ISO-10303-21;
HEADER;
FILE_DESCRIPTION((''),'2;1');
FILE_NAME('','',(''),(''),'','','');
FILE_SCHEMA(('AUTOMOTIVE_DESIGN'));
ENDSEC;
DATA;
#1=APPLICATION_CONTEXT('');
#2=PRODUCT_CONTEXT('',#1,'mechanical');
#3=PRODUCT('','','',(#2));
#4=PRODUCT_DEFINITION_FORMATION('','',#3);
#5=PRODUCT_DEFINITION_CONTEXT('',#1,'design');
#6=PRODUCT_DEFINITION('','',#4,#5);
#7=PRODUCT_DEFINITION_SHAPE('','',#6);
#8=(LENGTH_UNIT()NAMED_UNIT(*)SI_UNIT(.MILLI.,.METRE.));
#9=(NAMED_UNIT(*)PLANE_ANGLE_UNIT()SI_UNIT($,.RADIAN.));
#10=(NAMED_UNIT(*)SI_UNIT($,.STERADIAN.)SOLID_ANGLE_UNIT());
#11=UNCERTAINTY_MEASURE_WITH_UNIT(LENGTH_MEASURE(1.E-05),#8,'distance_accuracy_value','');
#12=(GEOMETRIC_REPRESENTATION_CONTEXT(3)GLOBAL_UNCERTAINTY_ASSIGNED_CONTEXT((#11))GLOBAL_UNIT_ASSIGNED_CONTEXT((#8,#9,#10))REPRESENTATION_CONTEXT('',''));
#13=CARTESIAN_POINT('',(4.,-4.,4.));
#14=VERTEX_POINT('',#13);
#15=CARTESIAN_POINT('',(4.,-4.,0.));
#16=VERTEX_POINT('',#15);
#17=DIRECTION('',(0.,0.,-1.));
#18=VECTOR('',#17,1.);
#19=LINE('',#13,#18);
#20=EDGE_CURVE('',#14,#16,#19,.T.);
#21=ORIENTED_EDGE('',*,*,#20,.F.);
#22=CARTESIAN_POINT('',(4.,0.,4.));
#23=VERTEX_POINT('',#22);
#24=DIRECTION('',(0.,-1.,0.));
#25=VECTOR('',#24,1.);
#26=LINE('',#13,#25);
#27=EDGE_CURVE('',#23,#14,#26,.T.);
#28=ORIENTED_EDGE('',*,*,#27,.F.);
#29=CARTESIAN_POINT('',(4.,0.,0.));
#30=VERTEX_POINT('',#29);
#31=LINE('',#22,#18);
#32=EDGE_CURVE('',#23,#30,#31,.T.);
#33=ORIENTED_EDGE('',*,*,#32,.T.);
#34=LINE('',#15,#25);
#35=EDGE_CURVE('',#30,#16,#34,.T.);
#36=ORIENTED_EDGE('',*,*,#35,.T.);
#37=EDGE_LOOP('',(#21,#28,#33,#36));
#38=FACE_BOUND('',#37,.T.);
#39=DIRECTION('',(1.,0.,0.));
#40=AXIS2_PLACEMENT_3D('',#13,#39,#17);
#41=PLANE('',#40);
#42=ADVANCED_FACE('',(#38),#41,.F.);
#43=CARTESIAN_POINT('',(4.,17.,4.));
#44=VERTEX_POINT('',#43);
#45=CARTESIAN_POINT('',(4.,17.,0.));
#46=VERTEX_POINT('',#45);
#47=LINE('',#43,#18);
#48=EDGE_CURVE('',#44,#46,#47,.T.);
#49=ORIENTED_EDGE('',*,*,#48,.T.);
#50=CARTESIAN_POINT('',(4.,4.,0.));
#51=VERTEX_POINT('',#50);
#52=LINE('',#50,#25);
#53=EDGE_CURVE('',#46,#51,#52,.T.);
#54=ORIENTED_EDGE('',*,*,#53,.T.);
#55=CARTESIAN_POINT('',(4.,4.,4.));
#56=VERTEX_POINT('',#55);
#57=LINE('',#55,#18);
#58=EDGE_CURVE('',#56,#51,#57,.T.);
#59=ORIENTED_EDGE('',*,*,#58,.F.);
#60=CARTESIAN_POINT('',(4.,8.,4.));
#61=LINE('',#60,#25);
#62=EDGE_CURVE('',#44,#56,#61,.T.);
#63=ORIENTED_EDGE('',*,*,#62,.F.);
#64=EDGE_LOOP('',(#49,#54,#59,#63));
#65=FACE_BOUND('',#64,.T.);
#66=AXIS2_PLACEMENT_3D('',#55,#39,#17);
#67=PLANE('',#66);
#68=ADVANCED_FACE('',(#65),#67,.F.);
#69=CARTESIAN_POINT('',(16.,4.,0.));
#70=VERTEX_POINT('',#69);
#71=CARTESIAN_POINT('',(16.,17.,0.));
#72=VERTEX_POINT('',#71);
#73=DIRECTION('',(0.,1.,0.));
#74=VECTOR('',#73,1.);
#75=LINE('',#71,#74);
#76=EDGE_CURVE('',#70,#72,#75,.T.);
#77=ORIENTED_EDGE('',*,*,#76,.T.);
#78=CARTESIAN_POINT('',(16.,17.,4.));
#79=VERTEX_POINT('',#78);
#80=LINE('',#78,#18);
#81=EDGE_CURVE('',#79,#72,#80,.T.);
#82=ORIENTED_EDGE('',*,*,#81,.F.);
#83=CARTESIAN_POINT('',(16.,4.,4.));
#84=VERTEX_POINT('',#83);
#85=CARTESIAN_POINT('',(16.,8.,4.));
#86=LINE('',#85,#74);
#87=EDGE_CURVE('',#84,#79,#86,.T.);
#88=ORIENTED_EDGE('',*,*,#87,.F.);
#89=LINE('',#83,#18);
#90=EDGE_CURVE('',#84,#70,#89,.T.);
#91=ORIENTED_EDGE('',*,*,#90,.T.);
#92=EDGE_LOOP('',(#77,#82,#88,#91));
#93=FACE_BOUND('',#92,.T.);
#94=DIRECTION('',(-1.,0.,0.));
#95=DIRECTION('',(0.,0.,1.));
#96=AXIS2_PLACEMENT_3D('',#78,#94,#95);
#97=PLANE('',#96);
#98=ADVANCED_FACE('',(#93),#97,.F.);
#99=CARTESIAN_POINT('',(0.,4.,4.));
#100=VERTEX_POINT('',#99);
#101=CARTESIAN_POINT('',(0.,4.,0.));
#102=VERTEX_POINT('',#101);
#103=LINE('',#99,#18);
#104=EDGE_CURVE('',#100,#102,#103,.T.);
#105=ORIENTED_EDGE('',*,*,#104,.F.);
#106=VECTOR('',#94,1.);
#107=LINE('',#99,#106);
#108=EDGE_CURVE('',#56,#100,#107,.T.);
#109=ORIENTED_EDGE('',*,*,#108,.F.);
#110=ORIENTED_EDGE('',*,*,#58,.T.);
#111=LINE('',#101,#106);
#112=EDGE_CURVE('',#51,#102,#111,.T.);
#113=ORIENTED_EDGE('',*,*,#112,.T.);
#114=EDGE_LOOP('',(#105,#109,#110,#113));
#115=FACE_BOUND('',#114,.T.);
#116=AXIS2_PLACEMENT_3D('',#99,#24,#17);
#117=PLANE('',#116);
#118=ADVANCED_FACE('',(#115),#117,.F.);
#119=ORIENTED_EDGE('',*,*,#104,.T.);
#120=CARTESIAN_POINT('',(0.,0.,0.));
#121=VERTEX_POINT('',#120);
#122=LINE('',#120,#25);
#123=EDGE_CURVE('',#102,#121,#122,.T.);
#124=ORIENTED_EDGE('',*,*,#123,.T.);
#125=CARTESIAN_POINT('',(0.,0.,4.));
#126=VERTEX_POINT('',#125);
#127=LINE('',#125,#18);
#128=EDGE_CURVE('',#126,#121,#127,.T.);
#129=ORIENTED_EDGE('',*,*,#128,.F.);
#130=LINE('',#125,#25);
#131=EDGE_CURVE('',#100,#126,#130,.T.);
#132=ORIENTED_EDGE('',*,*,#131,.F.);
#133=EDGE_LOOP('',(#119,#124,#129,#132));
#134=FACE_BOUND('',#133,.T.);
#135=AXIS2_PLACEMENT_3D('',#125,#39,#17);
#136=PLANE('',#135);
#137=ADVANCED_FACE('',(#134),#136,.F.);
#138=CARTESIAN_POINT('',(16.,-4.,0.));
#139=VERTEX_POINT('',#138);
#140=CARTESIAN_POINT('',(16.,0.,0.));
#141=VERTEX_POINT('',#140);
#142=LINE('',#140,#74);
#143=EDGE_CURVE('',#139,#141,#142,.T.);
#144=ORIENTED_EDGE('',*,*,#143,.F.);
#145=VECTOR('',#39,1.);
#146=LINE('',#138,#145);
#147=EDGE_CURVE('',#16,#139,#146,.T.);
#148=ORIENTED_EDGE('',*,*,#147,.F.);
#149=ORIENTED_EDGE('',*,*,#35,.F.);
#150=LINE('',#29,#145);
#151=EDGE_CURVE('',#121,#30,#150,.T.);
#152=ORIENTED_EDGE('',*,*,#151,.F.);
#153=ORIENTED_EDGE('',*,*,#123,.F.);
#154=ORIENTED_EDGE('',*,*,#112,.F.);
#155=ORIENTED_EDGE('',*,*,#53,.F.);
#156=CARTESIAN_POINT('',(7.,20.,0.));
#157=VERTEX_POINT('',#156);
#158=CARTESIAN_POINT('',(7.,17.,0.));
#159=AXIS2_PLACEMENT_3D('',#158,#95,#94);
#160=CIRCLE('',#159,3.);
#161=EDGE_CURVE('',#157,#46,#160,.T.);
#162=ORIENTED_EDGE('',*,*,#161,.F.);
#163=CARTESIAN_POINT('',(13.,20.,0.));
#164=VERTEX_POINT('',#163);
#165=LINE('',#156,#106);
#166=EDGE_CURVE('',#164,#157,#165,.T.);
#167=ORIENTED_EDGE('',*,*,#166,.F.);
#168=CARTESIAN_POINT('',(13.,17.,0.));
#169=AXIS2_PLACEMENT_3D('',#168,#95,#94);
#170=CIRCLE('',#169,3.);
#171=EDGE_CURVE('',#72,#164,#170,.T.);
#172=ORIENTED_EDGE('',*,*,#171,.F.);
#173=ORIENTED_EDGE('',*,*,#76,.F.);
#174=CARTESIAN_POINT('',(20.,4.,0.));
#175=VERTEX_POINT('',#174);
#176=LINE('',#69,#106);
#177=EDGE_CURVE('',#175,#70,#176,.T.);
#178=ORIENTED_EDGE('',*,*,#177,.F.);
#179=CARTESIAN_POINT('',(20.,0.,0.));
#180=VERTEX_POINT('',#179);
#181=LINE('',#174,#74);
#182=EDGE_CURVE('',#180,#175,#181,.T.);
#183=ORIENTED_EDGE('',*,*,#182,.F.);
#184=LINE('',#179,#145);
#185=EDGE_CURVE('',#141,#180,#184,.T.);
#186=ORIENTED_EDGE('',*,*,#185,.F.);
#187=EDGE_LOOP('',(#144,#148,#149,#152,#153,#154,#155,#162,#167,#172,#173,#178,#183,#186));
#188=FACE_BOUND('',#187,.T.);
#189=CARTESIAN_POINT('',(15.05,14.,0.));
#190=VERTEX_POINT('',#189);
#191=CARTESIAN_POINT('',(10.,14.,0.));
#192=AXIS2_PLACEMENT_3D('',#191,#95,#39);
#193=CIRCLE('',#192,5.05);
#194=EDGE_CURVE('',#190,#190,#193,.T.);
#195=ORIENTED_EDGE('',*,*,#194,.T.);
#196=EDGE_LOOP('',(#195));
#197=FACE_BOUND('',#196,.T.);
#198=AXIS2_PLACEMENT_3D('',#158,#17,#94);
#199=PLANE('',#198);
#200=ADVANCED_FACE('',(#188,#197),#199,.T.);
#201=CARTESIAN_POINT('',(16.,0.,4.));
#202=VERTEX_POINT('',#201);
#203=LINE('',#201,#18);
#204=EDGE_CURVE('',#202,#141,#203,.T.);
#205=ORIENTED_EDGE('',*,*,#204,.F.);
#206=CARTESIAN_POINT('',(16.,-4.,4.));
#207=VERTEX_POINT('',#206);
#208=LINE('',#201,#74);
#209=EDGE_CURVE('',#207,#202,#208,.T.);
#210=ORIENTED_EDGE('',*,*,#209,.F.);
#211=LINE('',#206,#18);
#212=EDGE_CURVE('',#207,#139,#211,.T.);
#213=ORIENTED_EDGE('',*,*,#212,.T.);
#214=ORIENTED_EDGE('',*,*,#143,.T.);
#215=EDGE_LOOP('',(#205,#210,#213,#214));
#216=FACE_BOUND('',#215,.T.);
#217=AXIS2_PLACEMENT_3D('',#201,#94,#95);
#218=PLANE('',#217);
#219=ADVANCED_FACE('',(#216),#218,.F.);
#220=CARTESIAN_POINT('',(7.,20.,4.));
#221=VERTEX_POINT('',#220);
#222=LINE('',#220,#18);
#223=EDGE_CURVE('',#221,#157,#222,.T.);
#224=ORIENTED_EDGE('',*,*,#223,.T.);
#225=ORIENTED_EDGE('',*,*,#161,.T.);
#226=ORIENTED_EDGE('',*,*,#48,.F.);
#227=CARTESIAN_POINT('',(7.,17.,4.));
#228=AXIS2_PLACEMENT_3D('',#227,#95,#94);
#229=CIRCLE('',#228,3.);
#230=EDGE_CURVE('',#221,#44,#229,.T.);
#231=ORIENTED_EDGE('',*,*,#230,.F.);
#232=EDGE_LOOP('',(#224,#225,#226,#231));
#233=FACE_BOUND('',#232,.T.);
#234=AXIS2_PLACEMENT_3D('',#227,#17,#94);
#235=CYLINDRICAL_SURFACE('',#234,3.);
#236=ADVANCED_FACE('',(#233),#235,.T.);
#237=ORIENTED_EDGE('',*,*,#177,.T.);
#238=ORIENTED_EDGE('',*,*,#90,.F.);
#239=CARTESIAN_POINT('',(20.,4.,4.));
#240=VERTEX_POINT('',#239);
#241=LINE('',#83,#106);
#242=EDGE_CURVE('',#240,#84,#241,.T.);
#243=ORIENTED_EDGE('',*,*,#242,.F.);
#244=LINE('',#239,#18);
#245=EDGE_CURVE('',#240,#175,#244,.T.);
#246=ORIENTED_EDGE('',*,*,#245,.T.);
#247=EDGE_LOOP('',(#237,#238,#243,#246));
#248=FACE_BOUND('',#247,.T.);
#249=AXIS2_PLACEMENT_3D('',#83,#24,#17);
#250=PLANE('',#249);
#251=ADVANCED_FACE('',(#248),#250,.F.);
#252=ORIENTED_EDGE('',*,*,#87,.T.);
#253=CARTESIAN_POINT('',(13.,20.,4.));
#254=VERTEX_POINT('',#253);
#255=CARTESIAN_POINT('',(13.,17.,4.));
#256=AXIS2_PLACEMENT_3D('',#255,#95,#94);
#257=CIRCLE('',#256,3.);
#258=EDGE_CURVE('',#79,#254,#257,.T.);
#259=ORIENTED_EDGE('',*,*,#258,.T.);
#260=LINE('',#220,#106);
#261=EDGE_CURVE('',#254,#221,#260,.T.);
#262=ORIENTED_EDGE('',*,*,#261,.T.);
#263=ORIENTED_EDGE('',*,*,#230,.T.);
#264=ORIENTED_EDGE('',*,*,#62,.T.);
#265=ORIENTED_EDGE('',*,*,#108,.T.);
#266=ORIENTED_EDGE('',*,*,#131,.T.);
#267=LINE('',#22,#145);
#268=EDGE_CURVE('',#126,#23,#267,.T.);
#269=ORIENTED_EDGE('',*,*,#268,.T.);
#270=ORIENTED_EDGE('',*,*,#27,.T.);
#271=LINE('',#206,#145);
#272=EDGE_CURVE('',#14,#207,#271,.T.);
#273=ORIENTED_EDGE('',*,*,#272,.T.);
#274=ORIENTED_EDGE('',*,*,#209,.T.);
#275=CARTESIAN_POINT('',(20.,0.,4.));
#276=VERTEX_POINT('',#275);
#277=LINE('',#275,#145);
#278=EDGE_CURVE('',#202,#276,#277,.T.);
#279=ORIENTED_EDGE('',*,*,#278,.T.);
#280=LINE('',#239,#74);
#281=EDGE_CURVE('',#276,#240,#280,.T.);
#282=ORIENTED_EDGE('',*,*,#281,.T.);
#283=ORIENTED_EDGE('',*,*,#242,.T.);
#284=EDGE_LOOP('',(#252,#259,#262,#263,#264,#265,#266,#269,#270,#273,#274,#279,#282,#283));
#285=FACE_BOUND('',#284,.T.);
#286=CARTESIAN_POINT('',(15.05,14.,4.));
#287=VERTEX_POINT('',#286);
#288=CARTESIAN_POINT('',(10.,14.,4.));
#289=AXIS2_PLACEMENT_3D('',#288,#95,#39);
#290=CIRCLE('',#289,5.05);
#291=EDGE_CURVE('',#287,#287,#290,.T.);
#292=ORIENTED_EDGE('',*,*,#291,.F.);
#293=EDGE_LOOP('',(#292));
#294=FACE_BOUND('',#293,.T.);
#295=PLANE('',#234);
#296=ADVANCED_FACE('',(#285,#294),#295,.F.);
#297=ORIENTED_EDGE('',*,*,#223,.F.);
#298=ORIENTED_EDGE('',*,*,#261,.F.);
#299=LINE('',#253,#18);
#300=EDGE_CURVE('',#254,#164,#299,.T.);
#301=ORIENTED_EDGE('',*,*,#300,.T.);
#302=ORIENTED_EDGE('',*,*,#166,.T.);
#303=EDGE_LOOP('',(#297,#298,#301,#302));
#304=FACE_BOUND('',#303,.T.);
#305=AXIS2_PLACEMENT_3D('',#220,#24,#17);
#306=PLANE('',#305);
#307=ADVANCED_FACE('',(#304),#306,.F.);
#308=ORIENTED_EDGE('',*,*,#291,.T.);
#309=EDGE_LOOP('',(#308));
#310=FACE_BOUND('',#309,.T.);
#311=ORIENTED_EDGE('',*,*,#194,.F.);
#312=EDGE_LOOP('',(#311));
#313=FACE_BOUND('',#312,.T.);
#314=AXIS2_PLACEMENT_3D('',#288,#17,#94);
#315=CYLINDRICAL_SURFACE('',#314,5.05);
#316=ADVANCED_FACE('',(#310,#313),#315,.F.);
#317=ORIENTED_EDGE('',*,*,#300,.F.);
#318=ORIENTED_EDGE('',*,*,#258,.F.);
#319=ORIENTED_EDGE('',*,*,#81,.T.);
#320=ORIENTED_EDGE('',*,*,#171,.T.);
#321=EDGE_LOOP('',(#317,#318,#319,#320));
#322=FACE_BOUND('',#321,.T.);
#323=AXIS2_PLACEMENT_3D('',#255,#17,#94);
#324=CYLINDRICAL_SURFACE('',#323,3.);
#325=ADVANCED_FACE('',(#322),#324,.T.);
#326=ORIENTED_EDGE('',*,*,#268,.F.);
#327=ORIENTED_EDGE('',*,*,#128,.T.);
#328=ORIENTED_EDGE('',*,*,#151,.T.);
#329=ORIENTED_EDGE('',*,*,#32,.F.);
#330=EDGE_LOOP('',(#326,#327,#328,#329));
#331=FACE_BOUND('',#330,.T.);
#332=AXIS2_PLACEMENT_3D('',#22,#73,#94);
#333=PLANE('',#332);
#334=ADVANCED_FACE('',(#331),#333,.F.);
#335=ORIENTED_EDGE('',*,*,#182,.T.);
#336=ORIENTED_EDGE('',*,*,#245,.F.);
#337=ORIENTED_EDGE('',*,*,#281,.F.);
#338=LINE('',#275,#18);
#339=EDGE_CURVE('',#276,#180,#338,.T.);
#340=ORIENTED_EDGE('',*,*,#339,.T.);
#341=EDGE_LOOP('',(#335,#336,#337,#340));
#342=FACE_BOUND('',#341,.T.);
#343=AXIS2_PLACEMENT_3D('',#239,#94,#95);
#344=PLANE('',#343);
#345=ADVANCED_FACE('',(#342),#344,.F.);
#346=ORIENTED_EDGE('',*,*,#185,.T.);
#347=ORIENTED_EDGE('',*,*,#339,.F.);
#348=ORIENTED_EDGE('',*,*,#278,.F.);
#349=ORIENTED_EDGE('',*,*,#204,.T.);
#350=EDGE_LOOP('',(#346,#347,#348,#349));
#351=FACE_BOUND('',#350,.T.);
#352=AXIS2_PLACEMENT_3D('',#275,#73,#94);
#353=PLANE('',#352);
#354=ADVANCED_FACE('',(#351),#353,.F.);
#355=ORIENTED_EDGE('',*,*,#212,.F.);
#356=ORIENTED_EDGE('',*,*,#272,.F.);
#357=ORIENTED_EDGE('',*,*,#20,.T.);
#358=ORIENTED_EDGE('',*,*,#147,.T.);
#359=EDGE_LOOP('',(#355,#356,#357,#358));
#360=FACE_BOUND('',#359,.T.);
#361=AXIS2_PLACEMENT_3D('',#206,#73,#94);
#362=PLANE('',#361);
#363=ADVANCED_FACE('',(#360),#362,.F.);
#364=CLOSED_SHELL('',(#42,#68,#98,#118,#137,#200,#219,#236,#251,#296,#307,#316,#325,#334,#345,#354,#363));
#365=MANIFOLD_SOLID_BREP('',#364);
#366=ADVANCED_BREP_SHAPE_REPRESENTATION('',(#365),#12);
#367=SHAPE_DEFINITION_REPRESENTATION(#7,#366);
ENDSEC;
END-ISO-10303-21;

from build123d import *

# Parameters (mm, degrees)
SKETCH_1_R      = 5.05
EXTRUDE_1_DEPTH = 4


with BuildPart() as part:
    # Эскиз1 → Бобышка-Вытянуть1 (new body)
    with BuildSketch(Plane.XY):
        with BuildLine():
            Line((0, 0), (0, 4))
            Line((0, 4), (4, 4))
            Line((4, 4), (4, 8))
            Line((4, 8), (4, 17))
            ThreePointArc((4, 17), (4.878679656, 19.121320344), (7, 20))
            Line((7, 20), (13, 20))
            ThreePointArc((13, 20), (15.121320344, 19.121320344), (16, 17))
            Line((16, 17), (16, 8))
            Line((16, 8), (16, 4))
            Line((16, 4), (20, 4))
            Line((20, 4), (20, 0))
            Line((20, 0), (16, 0))
            Line((16, 0), (16, -4))
            Line((16, -4), (4, -4))
            Line((4, -4), (4, 0))
            Line((4, 0), (0, 0))
        make_face()
        with Locations((10, 14)):
            Circle(SKETCH_1_R, mode=Mode.SUBTRACT)
    extrude(amount=EXTRUDE_1_DEPTH)


solid = part.part
